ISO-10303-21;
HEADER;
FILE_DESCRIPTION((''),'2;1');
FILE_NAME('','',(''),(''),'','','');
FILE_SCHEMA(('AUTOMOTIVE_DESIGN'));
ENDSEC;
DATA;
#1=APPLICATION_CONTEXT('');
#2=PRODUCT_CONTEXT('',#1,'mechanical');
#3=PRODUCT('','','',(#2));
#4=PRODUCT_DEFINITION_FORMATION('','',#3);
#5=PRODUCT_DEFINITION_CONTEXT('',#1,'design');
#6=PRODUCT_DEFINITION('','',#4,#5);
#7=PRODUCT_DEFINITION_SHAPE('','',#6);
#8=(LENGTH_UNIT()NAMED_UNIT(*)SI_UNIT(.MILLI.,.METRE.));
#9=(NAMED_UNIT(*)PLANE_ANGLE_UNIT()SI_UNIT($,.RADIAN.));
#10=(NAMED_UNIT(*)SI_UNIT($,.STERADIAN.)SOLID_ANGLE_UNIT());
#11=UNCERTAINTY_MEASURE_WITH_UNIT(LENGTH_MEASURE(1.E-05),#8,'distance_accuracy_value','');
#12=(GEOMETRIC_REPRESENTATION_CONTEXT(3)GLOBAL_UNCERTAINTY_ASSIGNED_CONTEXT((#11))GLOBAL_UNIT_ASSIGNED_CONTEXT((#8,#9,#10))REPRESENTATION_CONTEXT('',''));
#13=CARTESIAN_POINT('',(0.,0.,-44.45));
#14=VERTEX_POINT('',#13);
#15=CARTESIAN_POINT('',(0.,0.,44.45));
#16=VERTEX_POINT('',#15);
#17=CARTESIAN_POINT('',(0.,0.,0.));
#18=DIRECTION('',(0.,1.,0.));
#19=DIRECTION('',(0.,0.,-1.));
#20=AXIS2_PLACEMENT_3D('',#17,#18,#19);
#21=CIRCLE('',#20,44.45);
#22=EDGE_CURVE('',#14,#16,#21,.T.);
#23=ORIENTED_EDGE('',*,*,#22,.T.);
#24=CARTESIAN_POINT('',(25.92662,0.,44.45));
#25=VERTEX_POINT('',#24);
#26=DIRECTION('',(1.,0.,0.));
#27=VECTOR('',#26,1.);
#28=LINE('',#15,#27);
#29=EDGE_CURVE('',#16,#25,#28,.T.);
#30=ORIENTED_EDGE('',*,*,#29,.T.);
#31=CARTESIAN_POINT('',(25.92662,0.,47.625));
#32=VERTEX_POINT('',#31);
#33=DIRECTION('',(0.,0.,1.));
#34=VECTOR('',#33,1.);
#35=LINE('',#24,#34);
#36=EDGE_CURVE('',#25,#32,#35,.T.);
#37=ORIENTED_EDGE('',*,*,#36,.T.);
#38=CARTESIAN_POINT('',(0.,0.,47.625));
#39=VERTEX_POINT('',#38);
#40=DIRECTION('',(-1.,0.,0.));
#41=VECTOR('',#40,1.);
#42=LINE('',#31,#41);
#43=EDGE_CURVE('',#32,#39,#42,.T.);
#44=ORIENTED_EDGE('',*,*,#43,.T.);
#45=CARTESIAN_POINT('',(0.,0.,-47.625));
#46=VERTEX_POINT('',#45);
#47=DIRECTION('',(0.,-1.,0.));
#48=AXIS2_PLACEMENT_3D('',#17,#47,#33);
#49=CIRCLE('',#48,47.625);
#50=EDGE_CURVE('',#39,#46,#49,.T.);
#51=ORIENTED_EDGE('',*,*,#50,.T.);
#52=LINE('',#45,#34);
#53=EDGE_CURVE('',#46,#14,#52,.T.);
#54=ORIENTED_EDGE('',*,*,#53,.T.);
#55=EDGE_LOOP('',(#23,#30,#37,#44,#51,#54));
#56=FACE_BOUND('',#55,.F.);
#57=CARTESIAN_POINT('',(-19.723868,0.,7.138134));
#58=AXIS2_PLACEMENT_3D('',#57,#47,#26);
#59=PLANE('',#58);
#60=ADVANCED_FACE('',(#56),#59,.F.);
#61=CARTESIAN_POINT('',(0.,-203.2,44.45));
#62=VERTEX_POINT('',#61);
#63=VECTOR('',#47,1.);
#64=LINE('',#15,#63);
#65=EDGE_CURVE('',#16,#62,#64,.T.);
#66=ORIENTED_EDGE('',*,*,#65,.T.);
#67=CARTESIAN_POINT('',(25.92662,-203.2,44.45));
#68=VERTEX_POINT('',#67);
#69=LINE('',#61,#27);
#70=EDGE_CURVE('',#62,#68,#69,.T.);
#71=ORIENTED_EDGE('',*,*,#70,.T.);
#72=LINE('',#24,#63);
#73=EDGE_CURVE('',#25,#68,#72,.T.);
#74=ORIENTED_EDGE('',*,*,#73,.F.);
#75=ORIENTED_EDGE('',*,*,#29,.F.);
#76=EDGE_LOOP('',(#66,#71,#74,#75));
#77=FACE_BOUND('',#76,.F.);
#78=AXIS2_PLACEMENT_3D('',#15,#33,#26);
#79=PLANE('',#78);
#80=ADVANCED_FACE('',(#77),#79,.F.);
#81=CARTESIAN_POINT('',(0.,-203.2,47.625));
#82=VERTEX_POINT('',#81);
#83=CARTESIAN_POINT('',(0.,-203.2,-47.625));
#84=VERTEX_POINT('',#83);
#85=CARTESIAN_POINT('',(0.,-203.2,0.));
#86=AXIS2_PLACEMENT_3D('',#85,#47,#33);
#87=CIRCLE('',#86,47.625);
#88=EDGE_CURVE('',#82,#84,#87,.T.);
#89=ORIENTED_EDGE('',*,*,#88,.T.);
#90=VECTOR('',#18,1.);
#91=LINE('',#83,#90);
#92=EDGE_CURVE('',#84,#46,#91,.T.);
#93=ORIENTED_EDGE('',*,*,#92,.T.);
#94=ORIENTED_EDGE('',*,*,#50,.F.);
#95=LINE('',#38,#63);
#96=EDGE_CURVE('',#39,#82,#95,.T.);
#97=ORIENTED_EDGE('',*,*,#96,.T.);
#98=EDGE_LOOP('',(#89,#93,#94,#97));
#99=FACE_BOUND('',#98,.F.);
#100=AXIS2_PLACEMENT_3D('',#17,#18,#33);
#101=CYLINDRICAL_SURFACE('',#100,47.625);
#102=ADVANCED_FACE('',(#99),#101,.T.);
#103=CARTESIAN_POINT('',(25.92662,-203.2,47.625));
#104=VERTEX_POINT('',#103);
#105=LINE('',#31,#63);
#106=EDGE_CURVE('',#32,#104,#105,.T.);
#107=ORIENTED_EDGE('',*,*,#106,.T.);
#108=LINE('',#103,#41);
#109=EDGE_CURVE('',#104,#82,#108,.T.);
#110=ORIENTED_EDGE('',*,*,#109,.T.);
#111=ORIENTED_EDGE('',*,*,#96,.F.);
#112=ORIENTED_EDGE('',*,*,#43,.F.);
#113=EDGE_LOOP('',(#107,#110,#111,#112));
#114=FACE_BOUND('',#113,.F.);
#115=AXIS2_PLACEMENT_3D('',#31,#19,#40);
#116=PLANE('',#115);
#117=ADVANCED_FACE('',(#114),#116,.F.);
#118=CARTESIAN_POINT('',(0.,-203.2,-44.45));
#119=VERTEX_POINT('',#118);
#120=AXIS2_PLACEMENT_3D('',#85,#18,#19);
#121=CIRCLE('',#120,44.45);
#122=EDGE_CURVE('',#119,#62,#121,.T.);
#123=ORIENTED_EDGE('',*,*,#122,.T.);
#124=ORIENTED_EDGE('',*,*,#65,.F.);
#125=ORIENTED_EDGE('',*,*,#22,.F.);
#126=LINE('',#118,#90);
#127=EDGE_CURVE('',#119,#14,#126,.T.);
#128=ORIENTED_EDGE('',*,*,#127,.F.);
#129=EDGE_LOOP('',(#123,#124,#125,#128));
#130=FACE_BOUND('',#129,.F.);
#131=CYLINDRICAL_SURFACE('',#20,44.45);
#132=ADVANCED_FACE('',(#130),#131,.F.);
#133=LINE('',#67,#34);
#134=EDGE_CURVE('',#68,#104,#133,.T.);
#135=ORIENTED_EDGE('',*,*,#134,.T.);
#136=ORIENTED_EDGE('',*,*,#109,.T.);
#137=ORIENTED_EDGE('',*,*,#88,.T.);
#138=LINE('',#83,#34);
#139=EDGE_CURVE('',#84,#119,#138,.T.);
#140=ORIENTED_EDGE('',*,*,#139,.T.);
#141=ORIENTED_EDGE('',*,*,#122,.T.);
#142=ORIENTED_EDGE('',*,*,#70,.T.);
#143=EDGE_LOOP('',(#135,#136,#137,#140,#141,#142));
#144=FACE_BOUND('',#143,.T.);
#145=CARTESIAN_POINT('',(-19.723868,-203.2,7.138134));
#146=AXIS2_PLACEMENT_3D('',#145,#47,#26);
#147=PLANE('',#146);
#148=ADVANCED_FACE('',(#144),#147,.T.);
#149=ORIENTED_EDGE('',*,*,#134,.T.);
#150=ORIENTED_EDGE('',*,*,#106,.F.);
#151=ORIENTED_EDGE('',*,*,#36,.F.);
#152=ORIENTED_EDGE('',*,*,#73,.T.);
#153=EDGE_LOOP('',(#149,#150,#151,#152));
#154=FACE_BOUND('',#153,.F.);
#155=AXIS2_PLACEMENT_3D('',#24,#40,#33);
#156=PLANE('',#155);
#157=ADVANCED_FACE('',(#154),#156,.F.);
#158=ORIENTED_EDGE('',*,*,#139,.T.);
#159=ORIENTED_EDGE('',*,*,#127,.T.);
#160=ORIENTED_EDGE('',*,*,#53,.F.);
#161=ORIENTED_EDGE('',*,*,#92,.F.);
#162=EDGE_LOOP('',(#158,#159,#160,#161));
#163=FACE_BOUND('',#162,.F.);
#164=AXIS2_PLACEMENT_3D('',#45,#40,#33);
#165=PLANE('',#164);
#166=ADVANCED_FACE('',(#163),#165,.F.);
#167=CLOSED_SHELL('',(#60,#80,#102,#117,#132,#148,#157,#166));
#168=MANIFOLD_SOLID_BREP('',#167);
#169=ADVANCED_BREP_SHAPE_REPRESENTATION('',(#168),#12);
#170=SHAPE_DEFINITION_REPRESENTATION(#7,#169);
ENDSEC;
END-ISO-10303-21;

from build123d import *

# Parameters (mm, degrees)
F1_DEPTH = 203.2
F2_DEPTH = 25.4


with BuildPart() as f1:
    # F0 (on Front) → F1 (new body)
    with BuildSketch(Plane.XZ):
        with BuildLine():
            ThreePointArc((0, -44.45), (-44.45, 0), (0, 44.45))
            Line((0, 44.45), (25.92662, 44.45))
            Line((25.92662, 44.45), (25.92662, 47.625))
            Line((25.92662, 47.625), (0, 47.625))
            ThreePointArc((0, 47.625), (-47.625, 0), (0, -47.625))
            Line((0, -47.625), (0, -44.45))
        make_face()
    extrude(amount=F1_DEPTH)

    # F0 (on Front) → F2 (join)
    with BuildSketch(Plane.XZ):
        with BuildLine():
            ThreePointArc((0, -44.45), (-44.45, 0), (0, 44.45))
            Line((0, 44.45), (25.92662, 44.45))
            Line((25.92662, 44.45), (25.92662, 47.625))
            Line((25.92662, 47.625), (0, 47.625))
            ThreePointArc((0, 47.625), (-47.625, 0), (0, -47.625))
            Line((0, -47.625), (0, -44.45))
        make_face()
    extrude(amount=F2_DEPTH)


solid = f1.part
